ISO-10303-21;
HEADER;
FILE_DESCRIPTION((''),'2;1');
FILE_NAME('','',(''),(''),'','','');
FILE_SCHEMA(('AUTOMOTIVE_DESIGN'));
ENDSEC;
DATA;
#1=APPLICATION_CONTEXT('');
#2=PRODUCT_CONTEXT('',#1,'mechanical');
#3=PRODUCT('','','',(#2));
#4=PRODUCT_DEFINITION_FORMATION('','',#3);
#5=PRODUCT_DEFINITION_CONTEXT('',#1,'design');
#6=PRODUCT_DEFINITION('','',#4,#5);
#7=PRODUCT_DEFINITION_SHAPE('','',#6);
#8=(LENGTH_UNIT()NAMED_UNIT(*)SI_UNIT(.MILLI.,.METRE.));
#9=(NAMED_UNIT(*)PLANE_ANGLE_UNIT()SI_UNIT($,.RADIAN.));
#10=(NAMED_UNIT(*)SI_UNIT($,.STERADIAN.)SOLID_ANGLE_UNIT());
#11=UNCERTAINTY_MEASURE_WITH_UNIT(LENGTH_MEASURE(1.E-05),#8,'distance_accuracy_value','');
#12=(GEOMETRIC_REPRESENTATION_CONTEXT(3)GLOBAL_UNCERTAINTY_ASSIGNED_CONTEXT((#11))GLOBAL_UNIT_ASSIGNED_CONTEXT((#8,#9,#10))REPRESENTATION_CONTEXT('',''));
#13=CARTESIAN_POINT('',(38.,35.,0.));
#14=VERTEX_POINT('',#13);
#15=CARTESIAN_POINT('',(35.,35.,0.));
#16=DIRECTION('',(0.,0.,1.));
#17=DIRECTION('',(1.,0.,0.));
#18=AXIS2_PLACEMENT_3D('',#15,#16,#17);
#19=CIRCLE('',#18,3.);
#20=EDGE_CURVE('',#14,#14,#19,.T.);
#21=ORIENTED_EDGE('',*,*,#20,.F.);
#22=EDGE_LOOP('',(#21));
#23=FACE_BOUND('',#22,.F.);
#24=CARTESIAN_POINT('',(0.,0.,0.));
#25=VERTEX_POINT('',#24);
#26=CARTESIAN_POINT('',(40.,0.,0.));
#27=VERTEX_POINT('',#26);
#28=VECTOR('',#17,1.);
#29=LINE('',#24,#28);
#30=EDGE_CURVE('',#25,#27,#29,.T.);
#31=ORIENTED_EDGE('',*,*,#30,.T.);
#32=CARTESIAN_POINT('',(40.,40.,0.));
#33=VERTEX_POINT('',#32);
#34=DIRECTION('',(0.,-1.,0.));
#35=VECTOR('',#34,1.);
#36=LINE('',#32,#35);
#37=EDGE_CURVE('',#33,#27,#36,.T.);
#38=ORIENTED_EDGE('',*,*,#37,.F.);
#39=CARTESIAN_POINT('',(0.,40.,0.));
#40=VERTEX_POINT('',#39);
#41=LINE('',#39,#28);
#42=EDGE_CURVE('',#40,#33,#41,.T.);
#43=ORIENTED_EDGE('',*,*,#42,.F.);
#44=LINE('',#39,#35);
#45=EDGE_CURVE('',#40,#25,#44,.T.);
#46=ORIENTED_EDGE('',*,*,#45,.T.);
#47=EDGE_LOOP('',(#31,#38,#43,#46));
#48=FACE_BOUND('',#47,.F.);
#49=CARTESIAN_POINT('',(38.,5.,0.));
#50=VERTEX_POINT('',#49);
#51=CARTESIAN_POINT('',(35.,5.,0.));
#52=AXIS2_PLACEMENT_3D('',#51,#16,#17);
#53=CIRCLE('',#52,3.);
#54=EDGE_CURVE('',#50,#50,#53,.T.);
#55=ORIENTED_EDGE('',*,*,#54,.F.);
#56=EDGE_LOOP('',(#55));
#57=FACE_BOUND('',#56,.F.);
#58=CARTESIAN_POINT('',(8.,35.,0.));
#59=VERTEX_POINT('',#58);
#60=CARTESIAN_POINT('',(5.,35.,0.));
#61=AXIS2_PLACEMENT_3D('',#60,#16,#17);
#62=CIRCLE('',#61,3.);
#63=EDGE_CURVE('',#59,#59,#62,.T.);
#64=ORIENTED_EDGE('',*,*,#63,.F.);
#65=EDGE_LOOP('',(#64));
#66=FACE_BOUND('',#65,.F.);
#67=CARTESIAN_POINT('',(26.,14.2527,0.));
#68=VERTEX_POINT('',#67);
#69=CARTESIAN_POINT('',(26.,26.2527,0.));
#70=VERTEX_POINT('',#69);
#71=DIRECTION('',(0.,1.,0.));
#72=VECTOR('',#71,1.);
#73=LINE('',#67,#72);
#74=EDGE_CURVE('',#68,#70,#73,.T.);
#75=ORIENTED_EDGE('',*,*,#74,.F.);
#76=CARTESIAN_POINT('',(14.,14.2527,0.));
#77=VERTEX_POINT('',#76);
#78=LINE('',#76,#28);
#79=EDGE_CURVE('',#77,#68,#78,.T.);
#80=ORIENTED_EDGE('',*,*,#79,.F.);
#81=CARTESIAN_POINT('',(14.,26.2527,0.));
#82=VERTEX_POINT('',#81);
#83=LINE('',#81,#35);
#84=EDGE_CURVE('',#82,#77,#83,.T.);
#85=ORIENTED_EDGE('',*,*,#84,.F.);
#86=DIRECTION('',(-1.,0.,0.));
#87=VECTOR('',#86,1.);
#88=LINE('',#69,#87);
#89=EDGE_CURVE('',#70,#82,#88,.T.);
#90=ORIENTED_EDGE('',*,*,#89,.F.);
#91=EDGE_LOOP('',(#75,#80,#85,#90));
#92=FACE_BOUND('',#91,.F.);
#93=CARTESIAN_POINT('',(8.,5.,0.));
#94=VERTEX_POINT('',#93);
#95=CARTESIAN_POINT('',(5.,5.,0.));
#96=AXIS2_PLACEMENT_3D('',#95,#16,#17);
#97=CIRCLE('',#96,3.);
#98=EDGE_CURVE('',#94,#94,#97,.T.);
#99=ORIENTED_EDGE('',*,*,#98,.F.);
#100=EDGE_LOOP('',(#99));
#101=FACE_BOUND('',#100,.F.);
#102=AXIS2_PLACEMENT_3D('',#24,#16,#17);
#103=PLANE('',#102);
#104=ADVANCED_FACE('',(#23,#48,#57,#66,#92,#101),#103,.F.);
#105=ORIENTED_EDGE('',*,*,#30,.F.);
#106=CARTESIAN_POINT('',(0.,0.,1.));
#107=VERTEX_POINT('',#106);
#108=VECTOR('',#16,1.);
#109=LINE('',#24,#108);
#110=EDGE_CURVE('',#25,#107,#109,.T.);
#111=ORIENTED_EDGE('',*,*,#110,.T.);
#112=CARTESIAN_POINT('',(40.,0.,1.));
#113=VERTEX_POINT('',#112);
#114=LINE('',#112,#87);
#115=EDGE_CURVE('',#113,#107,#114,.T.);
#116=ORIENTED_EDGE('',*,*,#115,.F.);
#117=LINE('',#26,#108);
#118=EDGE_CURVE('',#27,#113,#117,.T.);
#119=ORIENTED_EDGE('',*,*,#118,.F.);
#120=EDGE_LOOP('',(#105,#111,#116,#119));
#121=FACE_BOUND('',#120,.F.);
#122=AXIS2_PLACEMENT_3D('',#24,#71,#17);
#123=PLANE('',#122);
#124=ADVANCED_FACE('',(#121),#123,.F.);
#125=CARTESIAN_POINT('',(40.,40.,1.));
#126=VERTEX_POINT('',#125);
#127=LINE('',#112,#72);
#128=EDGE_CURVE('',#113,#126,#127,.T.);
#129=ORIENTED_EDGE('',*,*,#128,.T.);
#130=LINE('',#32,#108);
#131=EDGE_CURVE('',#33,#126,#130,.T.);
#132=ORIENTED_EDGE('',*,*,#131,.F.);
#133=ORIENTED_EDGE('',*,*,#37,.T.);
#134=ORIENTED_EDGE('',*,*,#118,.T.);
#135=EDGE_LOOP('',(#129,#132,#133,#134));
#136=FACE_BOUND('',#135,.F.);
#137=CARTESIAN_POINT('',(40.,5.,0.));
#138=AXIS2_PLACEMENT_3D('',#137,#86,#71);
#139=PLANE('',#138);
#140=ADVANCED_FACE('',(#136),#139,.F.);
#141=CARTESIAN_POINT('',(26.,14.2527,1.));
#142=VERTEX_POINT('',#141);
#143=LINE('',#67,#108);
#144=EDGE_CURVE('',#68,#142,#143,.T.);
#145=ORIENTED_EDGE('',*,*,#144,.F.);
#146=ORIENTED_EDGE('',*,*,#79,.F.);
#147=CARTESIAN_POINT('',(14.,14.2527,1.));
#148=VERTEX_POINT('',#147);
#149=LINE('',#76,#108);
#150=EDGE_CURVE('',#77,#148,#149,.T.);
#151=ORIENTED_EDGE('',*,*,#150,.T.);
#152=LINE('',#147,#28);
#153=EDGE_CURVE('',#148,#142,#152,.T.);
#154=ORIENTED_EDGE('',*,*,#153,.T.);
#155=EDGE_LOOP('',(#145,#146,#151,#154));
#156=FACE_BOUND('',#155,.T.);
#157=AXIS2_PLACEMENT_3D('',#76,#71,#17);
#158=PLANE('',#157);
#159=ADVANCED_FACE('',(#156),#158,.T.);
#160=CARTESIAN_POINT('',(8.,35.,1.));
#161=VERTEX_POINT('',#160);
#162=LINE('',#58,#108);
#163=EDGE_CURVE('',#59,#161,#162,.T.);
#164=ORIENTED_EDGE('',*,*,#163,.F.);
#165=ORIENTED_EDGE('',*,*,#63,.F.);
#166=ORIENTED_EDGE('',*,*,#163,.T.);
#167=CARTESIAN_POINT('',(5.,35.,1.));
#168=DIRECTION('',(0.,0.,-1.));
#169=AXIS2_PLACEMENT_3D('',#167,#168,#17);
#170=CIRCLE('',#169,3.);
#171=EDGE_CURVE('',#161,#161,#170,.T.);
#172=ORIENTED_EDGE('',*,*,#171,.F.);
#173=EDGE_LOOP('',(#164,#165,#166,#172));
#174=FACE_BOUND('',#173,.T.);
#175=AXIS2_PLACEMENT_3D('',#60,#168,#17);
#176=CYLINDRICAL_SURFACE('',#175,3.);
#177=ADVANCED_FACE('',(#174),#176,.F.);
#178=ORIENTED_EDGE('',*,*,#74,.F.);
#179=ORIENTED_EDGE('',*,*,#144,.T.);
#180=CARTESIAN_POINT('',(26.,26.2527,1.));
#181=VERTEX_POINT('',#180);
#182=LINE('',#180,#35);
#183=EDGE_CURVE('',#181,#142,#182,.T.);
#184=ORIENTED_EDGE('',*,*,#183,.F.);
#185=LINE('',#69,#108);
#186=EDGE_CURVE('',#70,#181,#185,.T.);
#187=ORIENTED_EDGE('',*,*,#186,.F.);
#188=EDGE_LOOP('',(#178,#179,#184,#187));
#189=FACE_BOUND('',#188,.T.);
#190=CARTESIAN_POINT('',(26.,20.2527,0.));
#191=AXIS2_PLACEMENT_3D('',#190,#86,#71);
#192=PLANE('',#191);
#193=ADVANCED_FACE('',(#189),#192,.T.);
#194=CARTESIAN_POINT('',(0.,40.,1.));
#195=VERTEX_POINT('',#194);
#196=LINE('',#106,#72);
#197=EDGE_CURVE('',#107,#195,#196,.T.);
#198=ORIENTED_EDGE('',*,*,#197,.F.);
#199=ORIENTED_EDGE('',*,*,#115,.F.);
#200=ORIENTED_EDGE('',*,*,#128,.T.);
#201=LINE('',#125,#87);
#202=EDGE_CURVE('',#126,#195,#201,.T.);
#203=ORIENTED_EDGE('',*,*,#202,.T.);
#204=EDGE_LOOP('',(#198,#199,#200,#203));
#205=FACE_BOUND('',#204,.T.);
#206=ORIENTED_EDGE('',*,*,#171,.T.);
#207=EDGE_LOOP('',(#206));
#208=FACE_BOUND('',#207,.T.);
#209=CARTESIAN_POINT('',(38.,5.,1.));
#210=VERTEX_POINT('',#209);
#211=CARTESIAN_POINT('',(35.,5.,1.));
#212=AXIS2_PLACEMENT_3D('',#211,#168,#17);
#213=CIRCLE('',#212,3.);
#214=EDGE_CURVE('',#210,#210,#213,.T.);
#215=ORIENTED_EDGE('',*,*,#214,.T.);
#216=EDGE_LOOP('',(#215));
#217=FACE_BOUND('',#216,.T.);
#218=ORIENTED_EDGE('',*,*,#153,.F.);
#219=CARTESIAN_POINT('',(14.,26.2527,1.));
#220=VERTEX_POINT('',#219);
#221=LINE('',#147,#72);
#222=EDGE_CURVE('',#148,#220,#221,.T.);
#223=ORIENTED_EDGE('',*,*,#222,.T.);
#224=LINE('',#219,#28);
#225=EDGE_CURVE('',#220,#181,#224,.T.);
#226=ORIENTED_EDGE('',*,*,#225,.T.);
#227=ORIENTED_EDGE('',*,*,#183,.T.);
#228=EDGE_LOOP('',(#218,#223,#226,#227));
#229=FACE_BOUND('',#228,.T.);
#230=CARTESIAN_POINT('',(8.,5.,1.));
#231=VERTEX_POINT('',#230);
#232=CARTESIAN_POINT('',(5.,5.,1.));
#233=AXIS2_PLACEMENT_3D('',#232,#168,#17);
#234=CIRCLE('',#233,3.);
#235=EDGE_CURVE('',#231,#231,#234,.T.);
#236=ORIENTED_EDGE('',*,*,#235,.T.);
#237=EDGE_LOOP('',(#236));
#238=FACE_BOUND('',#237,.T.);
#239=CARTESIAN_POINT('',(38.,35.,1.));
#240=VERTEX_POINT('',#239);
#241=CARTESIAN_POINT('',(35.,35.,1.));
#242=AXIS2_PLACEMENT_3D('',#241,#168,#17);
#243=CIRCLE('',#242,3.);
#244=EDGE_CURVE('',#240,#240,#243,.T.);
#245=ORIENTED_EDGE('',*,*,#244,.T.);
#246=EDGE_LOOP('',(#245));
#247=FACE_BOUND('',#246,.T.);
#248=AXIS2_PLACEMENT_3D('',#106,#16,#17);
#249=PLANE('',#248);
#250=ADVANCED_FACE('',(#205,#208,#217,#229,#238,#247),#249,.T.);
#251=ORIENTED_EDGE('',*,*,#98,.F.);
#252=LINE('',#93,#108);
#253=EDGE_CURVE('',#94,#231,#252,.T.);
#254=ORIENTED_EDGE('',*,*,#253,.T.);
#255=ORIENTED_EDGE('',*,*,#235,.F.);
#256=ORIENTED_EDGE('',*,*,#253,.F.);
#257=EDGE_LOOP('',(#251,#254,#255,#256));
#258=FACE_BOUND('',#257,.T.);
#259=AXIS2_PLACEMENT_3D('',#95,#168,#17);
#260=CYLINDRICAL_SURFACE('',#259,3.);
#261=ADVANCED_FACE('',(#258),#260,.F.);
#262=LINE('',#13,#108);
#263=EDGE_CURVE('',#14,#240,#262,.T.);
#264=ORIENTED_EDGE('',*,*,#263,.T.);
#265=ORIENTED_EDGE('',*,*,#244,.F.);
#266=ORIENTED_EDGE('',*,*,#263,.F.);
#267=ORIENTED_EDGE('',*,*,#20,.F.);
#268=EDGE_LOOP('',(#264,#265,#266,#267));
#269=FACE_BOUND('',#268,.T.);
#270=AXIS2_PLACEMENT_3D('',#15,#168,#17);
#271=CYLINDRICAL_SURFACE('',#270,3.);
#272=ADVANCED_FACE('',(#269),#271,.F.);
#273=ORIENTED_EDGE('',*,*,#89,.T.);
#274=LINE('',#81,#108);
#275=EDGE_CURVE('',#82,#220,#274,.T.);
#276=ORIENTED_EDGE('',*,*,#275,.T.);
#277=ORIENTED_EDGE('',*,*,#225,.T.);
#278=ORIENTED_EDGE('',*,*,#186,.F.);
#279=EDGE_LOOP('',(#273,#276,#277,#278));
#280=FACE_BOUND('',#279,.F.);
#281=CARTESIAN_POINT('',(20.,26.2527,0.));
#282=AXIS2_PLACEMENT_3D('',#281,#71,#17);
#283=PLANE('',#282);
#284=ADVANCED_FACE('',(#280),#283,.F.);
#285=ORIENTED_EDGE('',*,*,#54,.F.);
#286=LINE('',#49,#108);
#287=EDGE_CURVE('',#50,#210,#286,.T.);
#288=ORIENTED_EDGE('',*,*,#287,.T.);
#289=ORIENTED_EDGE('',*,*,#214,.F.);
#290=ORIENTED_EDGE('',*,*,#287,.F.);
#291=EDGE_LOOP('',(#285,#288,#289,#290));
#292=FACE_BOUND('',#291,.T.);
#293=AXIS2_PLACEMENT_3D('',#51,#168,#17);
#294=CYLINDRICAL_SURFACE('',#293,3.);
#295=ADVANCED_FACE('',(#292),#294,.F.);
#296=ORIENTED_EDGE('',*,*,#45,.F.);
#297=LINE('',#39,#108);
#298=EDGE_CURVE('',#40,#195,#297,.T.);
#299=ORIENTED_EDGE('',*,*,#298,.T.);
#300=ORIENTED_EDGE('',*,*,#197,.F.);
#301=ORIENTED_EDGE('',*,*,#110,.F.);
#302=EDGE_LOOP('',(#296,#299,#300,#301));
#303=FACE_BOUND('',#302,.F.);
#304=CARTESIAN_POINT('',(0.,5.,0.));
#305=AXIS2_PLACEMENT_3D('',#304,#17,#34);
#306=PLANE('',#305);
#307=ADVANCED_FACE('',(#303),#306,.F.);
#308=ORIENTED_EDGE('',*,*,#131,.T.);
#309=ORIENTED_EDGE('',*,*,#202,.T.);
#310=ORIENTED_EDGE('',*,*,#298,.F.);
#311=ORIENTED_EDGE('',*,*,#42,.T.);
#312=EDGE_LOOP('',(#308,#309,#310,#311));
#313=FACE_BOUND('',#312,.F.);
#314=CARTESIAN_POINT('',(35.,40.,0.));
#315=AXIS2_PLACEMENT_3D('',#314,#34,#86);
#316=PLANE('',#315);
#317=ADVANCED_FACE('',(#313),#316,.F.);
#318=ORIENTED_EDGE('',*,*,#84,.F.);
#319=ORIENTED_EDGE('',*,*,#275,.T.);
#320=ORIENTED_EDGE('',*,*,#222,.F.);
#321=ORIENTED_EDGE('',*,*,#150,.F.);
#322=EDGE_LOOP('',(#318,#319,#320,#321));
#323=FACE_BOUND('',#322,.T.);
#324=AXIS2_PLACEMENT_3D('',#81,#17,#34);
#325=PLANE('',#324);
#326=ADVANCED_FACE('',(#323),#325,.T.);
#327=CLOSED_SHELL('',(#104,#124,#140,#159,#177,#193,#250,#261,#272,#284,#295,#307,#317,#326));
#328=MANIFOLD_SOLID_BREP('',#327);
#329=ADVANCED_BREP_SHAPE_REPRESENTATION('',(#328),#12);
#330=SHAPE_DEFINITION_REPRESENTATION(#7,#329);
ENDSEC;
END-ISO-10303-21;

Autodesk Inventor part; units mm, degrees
ref_plane "YZ Plane" through (0, 0, 0) normal (1, 0, 0) x (0, 1, 0)
ref_plane "XZ Plane" through (0, 0, 0) normal (0, 1, 0) x (-1, 0, 0)
ref_plane "XY Plane" through (0, 0, 0) normal (0, 0, 1) x (1, 0, 0)
sketch "Skizze1" plane through (0, 0, 0) normal (0, 0, 1) x (1, 0, 0)
  line L0 (0, 0) -> (40, 0)
  line L1 (40, 0) -> (40, 40)
  line L2 (40, 40) -> (0, 40)
  line L3 (0, 40) -> (0, 0)
  circle A0 centre (20, 20.2527) radius 0.3489
  line L4 (0, 40) -> (5, 40)
  line L5 (0, 38.1665) -> (0, 40)
  line L6 (0, 40) -> (5, 40)
  line L7 (5, 40) -> (5, 35)
  line L8 (5, 35) -> (0, 35)
  line L9 (0, 35) -> (0, 40)
  circle A1 centre (5, 35) radius 3
  line L10 (40, 40) -> (35, 40)
  line L11 (35, 40) -> (35, 35)
  line L12 (35, 35) -> (40, 35)
  line L13 (40, 35) -> (40, 40)
  line L14 (0, 0) -> (5, 0)
  line L15 (5, 0) -> (5, 5)
  line L16 (5, 5) -> (0, 5)
  line L17 (0, 5) -> (0, 0)
  line L18 (40, 0) -> (35, 0)
  line L19 (35, 0) -> (35, 5)
  line L20 (35, 5) -> (40, 5)
  line L21 (40, 5) -> (40, 0)
  circle A2 centre (5, 5) radius 3
  circle A3 centre (35, 5) radius 3
  circle A4 centre (35, 35) radius 3
  line L22 (20, 20.2527) -> (20, 26.2527)
  line L23 (20, 26.2527) -> (26, 26.2527)
  line L24 (26, 26.2527) -> (14, 26.2527)
  line L25 (14, 26.2527) -> (14, 14.2527)
  line L26 (14, 14.2527) -> (26, 14.2527)
  line L27 (26, 14.2527) -> (26, 26.2527)
  line L28 (14, 20.2527) -> (26, 20.2527)
  dimension "d0" = 40
  dimension "d1" = 40
  dimension "d4" = 5
  dimension "d5" = 5
  dimension "d6" = 6
  dimension "d7" = 5
  dimension "d8" = 5
  dimension "d9" = 6
  dimension "d10" = 6
  dimension "d11" = 6
  dimension "d12" = 6
  dimension "d13" = 6
  dimension "d14" = 12
  dimension "d15" = 12
extrude "Extrusion1" add sketch "Skizze1" along normal blind 1 contours L3 L16 A2 L15 L0 | L15 A2 L16 L3 L8 A1 L7 L2 L11 A4 L12 L1 L20 A3 L19 L0 | L19 A3 L20 L1 L0 | L3 L2 L7 A1 L8 | L12 A4 L11 L2 L1
properties part number "aperture12mm"
